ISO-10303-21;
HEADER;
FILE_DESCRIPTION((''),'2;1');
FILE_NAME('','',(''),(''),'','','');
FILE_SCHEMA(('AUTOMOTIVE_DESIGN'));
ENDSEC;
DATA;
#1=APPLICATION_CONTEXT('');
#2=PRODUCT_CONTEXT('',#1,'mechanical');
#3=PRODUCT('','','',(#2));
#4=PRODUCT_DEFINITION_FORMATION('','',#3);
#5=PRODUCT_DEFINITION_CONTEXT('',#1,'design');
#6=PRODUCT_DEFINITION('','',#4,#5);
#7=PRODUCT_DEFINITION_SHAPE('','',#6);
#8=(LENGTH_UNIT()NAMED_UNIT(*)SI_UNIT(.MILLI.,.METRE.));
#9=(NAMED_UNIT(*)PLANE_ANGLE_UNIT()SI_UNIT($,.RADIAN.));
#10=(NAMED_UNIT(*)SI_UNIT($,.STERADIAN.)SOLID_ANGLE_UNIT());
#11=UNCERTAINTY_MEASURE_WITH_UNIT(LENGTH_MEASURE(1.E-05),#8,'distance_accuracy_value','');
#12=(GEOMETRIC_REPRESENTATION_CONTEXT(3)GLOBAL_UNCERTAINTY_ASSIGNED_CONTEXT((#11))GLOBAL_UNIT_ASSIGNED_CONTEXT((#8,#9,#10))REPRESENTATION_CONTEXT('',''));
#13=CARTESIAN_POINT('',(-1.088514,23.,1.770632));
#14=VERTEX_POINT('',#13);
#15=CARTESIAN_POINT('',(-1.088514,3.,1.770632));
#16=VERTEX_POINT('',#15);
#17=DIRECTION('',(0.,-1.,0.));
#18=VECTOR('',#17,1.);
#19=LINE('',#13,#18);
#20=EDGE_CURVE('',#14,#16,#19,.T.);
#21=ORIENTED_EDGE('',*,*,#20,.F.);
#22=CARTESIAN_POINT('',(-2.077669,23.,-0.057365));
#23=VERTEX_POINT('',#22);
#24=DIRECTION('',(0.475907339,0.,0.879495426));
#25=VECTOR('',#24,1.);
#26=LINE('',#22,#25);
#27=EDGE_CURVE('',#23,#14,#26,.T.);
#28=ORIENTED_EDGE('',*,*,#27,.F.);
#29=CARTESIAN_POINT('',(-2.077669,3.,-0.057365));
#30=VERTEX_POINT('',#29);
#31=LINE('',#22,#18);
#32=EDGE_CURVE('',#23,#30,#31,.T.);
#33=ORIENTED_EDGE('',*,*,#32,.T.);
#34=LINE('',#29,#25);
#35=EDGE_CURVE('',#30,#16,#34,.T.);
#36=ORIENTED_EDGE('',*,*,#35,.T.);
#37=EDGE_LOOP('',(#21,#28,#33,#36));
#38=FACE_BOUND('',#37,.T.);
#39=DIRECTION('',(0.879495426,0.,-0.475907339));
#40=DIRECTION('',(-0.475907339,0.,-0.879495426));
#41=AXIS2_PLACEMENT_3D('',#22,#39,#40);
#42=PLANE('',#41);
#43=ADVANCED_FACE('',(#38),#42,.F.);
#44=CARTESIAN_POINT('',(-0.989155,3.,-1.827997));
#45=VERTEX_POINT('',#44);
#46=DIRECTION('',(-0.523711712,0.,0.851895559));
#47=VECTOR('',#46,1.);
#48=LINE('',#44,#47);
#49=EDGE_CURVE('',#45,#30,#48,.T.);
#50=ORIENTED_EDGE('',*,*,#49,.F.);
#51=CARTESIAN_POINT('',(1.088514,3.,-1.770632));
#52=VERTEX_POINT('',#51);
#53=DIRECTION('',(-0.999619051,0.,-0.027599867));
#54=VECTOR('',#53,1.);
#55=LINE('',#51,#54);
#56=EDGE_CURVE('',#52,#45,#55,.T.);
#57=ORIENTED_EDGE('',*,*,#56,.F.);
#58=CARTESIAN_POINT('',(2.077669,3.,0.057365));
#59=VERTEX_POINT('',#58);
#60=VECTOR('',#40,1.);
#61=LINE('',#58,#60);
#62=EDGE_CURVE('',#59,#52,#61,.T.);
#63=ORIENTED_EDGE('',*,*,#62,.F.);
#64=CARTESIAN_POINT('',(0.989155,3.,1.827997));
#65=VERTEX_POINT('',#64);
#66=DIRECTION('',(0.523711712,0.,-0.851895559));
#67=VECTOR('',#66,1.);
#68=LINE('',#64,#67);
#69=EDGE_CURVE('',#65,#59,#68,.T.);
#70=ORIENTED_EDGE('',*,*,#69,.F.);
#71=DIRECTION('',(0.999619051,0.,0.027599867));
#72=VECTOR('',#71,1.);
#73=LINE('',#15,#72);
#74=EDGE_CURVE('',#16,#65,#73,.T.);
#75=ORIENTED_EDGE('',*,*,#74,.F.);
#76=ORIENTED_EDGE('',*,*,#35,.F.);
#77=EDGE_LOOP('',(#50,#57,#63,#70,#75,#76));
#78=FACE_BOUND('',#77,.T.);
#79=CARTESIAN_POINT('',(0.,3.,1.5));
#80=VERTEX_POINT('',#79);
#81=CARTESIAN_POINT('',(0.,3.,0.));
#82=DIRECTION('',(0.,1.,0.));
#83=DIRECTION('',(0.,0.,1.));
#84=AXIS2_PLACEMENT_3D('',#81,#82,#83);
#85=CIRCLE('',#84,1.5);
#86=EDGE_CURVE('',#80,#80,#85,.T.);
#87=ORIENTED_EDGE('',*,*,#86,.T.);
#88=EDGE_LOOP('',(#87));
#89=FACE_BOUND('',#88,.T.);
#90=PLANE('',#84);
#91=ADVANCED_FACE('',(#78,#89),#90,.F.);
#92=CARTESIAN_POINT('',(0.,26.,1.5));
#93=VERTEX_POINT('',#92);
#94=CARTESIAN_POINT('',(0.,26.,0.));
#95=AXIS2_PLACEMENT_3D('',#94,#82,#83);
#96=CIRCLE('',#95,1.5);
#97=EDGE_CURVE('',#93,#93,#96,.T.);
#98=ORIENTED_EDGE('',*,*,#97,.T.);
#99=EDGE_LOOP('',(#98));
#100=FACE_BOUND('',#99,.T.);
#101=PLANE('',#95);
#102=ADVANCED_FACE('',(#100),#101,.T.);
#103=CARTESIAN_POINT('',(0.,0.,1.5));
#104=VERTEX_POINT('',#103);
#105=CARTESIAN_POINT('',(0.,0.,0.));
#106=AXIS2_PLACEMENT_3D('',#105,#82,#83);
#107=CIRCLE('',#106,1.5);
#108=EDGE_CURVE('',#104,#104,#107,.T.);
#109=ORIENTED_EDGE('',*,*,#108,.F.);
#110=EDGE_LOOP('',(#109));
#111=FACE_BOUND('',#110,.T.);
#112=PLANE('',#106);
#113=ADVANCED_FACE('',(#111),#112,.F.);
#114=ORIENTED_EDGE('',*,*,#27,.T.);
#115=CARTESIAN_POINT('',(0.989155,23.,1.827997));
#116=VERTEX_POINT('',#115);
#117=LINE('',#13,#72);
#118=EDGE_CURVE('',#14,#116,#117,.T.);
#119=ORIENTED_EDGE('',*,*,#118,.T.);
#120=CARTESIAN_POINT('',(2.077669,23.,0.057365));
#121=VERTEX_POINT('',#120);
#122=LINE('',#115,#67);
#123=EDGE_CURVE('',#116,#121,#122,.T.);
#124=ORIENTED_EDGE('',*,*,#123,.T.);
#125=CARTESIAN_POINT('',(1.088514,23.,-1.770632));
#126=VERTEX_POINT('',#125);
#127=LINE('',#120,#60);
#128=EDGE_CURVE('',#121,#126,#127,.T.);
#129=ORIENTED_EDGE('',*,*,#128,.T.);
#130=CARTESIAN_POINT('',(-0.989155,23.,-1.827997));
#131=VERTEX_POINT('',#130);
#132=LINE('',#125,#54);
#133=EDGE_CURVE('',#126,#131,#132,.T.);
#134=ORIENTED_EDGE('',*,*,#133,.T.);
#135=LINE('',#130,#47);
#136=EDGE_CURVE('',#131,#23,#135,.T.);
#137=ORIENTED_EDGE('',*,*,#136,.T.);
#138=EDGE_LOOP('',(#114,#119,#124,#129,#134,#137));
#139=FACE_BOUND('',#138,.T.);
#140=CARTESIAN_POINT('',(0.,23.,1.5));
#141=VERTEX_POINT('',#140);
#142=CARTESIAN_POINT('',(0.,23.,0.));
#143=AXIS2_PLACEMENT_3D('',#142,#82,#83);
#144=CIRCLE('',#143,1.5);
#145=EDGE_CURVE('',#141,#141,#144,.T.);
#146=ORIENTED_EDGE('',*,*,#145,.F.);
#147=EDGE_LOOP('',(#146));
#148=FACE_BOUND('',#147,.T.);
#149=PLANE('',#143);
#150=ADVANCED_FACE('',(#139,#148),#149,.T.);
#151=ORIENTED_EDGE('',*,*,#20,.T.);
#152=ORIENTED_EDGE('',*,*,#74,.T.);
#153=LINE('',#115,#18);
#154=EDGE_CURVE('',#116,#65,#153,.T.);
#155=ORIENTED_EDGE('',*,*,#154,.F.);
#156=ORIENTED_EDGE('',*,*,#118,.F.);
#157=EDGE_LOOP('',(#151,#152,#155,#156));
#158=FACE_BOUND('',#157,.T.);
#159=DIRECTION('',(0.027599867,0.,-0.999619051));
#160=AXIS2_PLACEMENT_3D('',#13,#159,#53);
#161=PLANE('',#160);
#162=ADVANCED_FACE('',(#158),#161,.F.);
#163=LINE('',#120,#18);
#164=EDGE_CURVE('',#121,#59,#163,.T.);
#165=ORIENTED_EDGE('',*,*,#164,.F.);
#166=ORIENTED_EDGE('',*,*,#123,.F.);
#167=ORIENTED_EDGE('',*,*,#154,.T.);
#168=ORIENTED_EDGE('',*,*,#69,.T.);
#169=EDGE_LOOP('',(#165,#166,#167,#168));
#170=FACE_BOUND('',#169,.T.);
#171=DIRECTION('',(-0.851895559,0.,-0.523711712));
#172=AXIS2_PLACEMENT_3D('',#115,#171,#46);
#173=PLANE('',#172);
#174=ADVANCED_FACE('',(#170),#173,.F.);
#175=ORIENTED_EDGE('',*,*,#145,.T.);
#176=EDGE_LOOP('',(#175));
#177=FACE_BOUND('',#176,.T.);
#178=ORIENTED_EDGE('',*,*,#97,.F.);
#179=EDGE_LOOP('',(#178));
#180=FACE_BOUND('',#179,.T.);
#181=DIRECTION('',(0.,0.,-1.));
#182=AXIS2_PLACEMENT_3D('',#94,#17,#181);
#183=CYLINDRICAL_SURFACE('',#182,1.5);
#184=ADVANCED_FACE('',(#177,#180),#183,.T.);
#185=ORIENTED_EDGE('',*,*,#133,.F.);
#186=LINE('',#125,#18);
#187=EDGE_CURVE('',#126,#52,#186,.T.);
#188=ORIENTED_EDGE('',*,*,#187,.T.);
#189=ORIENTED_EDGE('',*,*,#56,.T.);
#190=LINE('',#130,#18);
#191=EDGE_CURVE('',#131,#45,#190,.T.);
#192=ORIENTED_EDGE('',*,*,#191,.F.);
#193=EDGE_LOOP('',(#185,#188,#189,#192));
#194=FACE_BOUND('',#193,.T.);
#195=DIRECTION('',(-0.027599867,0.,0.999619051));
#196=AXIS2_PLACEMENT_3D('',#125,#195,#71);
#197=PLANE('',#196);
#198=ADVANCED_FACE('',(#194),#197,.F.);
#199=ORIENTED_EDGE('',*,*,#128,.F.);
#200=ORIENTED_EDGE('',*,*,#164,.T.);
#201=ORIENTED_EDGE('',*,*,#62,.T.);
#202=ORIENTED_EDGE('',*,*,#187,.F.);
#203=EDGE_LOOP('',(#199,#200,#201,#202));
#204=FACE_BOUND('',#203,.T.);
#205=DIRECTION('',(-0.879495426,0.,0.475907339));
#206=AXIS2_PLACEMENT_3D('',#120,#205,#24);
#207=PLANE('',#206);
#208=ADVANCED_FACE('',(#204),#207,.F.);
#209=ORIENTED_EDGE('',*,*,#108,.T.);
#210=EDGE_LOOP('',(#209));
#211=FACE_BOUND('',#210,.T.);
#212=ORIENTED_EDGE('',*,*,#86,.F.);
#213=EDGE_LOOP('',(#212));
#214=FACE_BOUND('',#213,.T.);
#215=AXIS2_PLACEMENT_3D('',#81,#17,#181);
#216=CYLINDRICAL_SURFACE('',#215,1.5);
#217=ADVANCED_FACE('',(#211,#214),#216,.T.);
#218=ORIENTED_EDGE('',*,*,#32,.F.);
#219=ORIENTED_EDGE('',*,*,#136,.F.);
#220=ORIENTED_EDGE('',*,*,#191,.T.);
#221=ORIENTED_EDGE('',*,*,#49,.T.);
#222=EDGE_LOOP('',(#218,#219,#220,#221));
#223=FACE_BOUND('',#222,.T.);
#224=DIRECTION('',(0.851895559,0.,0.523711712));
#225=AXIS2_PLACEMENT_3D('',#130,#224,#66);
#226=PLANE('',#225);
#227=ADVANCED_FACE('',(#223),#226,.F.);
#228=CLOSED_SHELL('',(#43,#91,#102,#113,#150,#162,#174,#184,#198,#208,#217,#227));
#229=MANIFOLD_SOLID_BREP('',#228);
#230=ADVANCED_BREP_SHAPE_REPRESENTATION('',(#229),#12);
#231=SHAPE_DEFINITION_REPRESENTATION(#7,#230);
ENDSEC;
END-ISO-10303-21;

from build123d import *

# Parameters (mm, degrees)
SKETCH1_R           = 1.5
BOSS_EXTRUDE1_DEPTH = 3
BOSS_EXTRUDE2_DEPTH = 20
SKETCH3_R           = 1.5
BOSS_EXTRUDE3_DEPTH = 3


with BuildPart() as part:
    # Sketch1 → Boss-Extrude1 (new body)
    with BuildSketch(Plane(origin=(0, 0, 0), x_dir=(1, 0, 0), z_dir=(0, 1, 0))):
        with Locations(Location((0, 0, 0), (0, 0, 270))):
            Circle(SKETCH1_R)
    extrude(amount=BOSS_EXTRUDE1_DEPTH)

    # Sketch2 → Boss-Extrude2 (add)
    with BuildSketch(Plane(origin=(0, 3, 0), x_dir=(1, 0, 0), z_dir=(0, 1, 0))):
        Polygon((-0.98915483, 1.827996915), (-2.077669182, 0.057365247), (-1.088514352, -1.770631668), (0.98915483, -1.827996915), (2.077669182, -0.057365247), (1.088514352, 1.770631668), align=None)
    extrude(amount=BOSS_EXTRUDE2_DEPTH)

    # Sketch3 → Boss-Extrude3 (add)
    with BuildSketch(Plane(origin=(0, 23, 0), x_dir=(1, 0, 0), z_dir=(0, 1, 0))):
        with Locations(Location((0, 0, 0), (0, 0, 270))):
            Circle(SKETCH3_R)
    extrude(amount=BOSS_EXTRUDE3_DEPTH)


solid = part.part
